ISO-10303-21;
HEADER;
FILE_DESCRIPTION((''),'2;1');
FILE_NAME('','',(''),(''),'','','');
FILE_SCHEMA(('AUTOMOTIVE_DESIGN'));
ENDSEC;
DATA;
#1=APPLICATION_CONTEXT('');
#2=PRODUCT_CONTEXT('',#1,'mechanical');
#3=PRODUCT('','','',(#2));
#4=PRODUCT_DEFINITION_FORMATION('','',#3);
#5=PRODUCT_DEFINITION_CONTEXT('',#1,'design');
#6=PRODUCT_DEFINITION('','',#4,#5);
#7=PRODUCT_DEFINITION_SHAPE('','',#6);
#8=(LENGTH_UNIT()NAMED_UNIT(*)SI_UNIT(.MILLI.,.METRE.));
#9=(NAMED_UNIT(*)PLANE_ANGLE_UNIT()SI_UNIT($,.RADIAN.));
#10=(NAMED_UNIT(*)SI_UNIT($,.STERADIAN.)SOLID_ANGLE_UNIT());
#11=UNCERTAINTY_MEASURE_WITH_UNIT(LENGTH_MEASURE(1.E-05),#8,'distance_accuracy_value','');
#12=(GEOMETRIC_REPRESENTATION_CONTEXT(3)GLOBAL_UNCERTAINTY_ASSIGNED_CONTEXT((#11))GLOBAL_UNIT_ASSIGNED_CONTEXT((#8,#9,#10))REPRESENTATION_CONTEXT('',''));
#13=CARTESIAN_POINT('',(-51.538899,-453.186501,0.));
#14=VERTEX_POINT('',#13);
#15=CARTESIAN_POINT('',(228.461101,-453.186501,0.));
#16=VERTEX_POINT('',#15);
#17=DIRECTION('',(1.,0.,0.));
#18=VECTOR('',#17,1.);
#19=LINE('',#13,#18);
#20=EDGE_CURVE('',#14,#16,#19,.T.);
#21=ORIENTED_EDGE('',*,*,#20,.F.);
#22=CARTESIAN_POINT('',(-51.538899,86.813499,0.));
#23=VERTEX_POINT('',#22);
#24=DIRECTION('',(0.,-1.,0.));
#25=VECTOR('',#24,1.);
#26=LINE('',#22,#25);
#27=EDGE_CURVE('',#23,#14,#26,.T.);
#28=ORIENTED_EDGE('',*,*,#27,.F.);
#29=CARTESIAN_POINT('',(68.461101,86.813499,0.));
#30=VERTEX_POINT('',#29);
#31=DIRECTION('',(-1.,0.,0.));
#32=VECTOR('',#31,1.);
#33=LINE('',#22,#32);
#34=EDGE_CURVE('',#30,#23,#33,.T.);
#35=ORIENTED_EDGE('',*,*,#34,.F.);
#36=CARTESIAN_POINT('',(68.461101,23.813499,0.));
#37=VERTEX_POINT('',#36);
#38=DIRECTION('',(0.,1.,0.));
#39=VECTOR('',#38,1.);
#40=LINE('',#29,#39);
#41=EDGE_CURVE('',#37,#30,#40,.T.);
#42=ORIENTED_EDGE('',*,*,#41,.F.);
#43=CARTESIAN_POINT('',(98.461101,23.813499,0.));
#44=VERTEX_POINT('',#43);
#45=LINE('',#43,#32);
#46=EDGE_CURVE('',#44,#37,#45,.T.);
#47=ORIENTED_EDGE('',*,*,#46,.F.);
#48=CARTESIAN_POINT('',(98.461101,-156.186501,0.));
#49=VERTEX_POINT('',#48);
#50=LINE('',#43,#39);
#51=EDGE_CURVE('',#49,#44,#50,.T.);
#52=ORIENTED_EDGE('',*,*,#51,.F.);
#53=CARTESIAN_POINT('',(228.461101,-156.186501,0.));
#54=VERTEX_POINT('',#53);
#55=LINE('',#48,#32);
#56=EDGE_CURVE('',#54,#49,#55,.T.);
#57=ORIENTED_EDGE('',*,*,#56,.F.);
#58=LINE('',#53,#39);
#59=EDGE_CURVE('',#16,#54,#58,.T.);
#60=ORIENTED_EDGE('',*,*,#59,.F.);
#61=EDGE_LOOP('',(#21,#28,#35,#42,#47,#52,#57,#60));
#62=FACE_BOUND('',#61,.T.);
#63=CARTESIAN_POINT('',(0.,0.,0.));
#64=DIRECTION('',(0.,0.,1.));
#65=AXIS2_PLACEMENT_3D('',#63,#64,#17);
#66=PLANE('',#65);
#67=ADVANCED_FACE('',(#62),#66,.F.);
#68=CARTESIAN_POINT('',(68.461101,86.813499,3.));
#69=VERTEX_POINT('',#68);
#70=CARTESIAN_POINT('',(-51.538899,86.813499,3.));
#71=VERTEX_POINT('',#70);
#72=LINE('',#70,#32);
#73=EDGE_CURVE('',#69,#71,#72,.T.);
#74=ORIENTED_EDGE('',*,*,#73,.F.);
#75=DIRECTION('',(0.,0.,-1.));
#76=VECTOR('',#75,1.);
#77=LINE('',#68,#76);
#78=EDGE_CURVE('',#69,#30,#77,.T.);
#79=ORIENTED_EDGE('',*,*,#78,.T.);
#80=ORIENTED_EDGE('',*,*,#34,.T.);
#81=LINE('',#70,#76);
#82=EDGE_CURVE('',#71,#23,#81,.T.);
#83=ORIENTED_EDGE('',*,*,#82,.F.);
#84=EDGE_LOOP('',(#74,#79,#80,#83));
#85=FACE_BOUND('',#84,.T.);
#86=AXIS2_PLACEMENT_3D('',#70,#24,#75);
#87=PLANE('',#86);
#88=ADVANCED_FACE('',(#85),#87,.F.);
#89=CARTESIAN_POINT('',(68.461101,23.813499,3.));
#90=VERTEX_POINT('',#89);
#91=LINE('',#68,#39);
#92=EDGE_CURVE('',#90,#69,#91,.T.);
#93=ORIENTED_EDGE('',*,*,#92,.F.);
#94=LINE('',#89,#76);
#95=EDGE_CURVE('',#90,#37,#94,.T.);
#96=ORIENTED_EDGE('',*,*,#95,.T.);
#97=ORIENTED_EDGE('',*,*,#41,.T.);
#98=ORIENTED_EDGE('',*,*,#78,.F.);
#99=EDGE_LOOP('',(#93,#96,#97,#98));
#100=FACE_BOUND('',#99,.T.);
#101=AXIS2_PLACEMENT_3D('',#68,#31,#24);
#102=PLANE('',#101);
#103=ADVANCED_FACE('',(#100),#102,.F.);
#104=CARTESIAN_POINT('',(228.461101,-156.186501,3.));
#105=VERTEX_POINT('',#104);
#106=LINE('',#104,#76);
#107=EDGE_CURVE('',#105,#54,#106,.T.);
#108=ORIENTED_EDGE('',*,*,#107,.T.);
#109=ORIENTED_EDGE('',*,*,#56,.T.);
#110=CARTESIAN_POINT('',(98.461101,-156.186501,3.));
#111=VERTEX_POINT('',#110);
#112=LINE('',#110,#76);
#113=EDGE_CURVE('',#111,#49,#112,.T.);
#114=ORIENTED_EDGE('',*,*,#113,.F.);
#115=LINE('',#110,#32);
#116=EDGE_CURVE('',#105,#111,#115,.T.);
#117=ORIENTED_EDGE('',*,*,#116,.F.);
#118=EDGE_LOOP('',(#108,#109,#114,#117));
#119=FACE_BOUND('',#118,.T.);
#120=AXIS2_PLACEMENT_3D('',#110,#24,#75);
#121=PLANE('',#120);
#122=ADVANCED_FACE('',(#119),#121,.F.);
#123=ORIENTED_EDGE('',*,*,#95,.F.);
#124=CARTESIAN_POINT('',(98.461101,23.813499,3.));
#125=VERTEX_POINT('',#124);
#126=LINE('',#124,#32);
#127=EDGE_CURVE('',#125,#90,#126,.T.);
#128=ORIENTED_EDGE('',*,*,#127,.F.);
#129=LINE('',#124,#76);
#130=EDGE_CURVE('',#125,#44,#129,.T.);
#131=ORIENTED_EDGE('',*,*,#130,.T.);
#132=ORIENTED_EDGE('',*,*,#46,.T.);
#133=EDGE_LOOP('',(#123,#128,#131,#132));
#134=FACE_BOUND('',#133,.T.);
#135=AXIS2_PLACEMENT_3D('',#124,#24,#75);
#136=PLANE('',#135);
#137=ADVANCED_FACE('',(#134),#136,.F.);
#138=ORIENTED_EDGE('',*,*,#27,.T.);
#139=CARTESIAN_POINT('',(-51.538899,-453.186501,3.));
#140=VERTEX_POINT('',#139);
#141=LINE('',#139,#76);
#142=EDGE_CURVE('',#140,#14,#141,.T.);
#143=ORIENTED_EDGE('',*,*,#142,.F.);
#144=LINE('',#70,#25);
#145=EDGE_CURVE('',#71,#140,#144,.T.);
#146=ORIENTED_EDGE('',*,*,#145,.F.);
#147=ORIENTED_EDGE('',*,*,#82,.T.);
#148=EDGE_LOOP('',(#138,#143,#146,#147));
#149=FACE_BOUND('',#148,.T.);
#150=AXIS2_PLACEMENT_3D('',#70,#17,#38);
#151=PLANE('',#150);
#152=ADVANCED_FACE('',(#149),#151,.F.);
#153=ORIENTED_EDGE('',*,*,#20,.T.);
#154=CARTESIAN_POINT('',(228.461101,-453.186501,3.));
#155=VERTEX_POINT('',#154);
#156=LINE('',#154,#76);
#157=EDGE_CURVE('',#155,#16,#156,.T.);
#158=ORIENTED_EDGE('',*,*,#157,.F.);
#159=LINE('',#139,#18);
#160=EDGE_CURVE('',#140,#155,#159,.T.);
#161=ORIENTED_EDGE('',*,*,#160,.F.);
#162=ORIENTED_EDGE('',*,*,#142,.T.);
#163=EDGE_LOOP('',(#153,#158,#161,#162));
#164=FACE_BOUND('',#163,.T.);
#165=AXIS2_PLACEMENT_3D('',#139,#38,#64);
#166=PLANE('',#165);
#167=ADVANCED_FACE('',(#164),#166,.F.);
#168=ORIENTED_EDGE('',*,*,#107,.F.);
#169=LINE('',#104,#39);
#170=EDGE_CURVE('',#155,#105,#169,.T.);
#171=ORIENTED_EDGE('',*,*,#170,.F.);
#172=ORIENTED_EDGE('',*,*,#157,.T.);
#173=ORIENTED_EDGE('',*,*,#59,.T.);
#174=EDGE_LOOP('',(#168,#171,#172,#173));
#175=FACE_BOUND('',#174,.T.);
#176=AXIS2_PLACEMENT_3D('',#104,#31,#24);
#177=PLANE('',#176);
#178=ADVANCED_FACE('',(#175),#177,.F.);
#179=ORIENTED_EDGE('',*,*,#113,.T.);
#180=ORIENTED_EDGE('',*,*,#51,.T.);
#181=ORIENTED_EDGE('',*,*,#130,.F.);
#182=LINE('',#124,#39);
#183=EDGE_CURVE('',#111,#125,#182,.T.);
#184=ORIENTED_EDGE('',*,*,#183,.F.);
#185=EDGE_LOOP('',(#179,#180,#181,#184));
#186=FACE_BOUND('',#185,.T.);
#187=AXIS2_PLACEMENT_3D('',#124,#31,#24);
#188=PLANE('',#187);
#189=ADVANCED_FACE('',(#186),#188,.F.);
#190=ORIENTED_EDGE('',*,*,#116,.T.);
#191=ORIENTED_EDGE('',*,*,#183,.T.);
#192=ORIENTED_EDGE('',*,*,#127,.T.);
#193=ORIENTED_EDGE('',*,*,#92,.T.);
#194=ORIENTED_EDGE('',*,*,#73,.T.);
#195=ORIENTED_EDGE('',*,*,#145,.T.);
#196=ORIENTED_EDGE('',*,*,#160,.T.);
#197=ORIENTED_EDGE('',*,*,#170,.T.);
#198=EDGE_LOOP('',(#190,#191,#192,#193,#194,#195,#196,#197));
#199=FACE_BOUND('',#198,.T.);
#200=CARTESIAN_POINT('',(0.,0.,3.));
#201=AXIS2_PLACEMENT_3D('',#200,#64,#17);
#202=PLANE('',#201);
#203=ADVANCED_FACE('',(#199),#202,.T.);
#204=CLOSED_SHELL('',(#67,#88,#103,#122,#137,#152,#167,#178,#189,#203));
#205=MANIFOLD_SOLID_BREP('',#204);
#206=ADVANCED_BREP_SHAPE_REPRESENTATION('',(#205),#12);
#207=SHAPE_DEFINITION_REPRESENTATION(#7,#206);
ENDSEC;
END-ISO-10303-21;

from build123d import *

# Parameters (mm, degrees)
BOSS_EXTRU_1_DEPTH = 3


with BuildPart() as part:
    # Esquisse1 → Boss.-Extru.1 (new body)
    with BuildSketch(Plane.XY):
        Polygon((228.461101291, -156.186500922), (228.461101291, -453.186500922), (-51.538898709, -453.186500922), (-51.538898709, 86.813499078), (68.461101291, 86.813499078), (68.461101291, 23.813499078), (98.461101291, 23.813499078), (98.461101291, -156.186500922), align=None)
    extrude(amount=BOSS_EXTRU_1_DEPTH)


solid = part.part
